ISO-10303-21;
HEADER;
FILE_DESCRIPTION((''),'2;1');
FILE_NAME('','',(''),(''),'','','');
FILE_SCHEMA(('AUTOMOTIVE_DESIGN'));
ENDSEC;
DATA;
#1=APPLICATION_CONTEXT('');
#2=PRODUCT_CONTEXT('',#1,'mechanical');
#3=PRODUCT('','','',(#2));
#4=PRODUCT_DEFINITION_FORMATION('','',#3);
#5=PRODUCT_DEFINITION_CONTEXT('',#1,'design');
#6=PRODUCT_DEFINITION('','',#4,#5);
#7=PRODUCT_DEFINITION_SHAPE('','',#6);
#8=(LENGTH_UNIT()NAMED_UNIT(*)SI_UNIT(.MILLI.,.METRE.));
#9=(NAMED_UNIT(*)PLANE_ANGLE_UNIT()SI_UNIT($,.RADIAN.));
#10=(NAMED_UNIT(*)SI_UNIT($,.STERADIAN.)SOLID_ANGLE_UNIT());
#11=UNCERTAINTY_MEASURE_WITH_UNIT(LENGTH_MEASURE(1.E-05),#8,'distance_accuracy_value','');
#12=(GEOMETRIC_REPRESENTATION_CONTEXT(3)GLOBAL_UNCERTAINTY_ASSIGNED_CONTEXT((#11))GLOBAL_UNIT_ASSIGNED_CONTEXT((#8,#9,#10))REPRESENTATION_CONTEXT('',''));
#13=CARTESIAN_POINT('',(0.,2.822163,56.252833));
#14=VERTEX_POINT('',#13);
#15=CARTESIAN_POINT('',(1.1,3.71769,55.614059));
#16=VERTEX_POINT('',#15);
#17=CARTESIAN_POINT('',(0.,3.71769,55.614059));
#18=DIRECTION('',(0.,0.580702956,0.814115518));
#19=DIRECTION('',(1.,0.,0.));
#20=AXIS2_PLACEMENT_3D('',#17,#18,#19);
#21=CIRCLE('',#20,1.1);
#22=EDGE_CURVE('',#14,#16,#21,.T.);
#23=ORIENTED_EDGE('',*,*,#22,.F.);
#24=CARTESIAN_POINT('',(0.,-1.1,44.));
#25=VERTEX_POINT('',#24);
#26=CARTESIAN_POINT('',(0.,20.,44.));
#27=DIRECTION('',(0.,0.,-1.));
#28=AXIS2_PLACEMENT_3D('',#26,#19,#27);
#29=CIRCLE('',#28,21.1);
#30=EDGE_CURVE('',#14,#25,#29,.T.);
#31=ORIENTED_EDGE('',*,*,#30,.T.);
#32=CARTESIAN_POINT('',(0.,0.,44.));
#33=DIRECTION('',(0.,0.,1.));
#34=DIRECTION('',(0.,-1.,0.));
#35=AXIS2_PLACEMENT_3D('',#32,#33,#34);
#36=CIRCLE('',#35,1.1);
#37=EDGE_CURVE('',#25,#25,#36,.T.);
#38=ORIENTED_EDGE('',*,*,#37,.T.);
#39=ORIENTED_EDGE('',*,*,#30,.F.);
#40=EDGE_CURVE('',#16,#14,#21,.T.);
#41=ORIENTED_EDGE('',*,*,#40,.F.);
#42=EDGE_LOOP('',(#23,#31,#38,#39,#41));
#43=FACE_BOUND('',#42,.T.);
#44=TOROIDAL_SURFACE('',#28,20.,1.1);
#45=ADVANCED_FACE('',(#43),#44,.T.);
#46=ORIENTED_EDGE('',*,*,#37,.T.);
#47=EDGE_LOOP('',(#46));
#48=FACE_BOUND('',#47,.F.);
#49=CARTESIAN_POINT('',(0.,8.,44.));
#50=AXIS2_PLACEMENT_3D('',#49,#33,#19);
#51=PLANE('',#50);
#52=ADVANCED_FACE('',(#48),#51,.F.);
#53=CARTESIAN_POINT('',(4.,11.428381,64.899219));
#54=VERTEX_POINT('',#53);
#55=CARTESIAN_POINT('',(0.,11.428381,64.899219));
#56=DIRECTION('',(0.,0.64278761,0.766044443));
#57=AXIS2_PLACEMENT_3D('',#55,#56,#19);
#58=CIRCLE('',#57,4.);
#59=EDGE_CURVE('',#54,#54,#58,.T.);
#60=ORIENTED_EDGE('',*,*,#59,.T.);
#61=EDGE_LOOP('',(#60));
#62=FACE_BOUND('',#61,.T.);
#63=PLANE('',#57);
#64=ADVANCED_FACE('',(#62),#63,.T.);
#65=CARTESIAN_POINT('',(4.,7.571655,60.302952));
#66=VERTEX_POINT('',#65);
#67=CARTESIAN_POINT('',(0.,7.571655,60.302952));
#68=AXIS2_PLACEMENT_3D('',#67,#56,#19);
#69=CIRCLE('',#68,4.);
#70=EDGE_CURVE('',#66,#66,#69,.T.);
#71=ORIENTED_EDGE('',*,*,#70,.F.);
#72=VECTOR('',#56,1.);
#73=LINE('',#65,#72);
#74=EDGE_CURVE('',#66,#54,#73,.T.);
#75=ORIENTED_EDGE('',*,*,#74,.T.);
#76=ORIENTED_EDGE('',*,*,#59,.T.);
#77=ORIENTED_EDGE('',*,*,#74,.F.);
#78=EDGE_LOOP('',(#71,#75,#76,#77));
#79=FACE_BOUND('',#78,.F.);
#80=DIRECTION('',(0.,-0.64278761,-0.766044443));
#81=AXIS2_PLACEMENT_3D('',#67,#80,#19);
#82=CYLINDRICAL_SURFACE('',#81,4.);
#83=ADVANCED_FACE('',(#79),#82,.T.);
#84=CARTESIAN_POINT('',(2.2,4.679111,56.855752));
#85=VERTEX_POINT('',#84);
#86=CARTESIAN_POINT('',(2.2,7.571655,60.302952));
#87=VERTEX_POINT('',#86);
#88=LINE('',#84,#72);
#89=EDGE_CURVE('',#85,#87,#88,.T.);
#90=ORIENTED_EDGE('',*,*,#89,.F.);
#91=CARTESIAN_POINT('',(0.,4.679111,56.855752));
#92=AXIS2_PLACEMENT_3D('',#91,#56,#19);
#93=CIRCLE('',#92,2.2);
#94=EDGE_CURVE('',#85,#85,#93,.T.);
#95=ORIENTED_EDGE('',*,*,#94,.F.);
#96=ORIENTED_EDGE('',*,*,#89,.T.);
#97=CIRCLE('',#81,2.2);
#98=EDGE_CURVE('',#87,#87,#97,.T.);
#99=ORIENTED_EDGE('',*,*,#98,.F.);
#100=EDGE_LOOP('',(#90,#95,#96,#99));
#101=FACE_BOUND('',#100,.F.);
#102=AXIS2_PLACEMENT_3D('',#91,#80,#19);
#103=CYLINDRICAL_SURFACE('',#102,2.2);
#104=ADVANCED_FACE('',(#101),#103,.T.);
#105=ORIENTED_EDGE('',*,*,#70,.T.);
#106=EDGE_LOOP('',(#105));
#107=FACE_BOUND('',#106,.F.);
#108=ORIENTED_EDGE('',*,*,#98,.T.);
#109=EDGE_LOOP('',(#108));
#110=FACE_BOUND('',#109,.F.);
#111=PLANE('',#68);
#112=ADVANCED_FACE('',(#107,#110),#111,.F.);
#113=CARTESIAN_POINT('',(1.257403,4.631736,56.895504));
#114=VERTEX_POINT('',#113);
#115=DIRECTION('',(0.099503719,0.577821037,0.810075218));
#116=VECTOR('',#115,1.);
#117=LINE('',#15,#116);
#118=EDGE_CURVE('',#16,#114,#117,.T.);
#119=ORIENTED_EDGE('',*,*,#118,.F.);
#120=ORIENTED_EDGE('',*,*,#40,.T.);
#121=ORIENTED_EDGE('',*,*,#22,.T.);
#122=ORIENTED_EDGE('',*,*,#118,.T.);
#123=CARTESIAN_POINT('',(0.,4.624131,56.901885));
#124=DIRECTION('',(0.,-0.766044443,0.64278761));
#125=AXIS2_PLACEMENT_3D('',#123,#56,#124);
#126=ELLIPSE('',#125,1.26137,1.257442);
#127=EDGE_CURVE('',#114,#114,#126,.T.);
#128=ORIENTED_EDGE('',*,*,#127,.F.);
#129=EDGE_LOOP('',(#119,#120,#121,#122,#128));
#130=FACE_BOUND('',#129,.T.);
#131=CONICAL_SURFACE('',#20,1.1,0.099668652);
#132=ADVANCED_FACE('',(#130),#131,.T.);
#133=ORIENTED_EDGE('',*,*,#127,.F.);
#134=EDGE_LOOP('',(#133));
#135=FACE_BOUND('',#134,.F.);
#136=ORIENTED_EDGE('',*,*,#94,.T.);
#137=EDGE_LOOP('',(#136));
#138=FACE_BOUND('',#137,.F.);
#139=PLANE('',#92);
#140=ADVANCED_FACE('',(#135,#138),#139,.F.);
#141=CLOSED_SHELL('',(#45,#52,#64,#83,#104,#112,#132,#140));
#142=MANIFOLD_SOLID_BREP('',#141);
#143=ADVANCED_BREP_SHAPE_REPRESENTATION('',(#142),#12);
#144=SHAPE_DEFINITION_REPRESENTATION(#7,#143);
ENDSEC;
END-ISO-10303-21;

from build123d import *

# Parameters (mm, degrees)
CONE002_ROLL_ANGLE         = -35.5
BOX001027045012_W          = 10
BOX001027045012_H          = 24
BOX001027045012_DEPTH      = 22
BOX001027045012_ROLL_ANGLE = -35.5
BOX001027045011_W          = 10
BOX001027045011_H          = 24
BOX001027045011_DEPTH      = 22
TORUS002_R                 = 1.1
TORUS002_PITCH_ANGLE       = 90
CYLINDER121_R              = 4
CYLINDER121_DEPTH          = 6
CYLINDER121_ROLL_ANGLE     = -40
CYLINDER120_R              = 2.2
CYLINDER120_DEPTH          = 10
CYLINDER120_ROLL_ANGLE     = -40


with BuildPart() as cone002:
    # Cone002 → Cone002 (revolve)
    with BuildSketch(Plane.XZ):
        Polygon((0, 0), (1.1, 0), (1.3, 2), (0, 2), align=None)
    revolve(axis=Axis((0, 0, 0), (0, 0, 1)))


with BuildPart() as cone002_1:
    # Cone002 roll: moved
    add(cone002.part.rotate(Axis((0, 0, 0), (1, 0, 0)), CONE002_ROLL_ANGLE))


with BuildPart() as cone002_2:
    # Cone002 placement: moved
    add(cone002_1.part.moved(Location((0, 3.71769, 11.614059))))


with BuildPart() as cube065:
    # Box001027045012 → Box001027045012 (new body)
    with BuildSketch(Plane.XY):
        with Locations((5, 12)):
            Rectangle(BOX001027045012_W, BOX001027045012_H)
    extrude(amount=BOX001027045012_DEPTH)


with BuildPart() as cube065_1:
    # Box001027045012 roll: moved
    add(cube065.part.rotate(Axis((0, 0, 0), (1, 0, 0)), BOX001027045012_ROLL_ANGLE))


with BuildPart() as cube065_2:
    # Box001027045012 placement: moved
    add(cube065_1.part.moved(Location((-5, 0.461228, 13.936871))))


with BuildPart() as cube064:
    # Box001027045011 → Box001027045011 (new body)
    with BuildSketch(Plane(origin=(-5, -4, 0), x_dir=(1, 0, 0), z_dir=(0, 0, 1))):
        with Locations((5, 12)):
            Rectangle(BOX001027045011_W, BOX001027045011_H)
    extrude(amount=BOX001027045011_DEPTH)


with BuildPart() as cut068:
    # Torus002 → Torus002 (revolve)
    with BuildSketch(Plane.XZ):
        with Locations((20, 0)):
            Circle(TORUS002_R)
    revolve(axis=Axis((0, 0, 0), (0, 0, 1)))


with BuildPart() as cut068_1:
    # Torus002 pitch: moved
    add(cut068.part.rotate(Axis((0, 0, 0), (0, 1, 0)), TORUS002_PITCH_ANGLE))


with BuildPart() as cut068_2:
    # Torus002 placement: moved
    add(cut068_1.part.moved(Location((0, 20, 0))))

    # Common054: intersect Cube064
    add(cube064.part, mode=Mode.INTERSECT)

    # Cut068: cut Cube065
    add(cube065_2.part, mode=Mode.SUBTRACT)


with BuildPart() as cylinder179:
    # Cylinder121 → Cylinder121 (new body)
    with BuildSketch(Plane.XY):
        Circle(CYLINDER121_R)
    extrude(amount=CYLINDER121_DEPTH)


with BuildPart() as cylinder179_1:
    # Cylinder121 roll: moved
    add(cylinder179.part.rotate(Axis((0, 0, 0), (1, 0, 0)), CYLINDER121_ROLL_ANGLE))


with BuildPart() as cylinder179_2:
    # Cylinder121 placement: moved
    add(cylinder179_1.part.moved(Location((0, 7.571655, 16.302952))))


with BuildPart() as torroidal_hole005:
    # Cylinder120 → Cylinder120 (new body)
    with BuildSketch(Plane.XY):
        Circle(CYLINDER120_R)
    extrude(amount=CYLINDER120_DEPTH)


with BuildPart() as torroidal_hole005_1:
    # Cylinder120 roll: moved
    add(torroidal_hole005.part.rotate(Axis((0, 0, 0), (1, 0, 0)), CYLINDER120_ROLL_ANGLE))


with BuildPart() as torroidal_hole005_2:
    # Cylinder120 placement: moved
    add(torroidal_hole005_1.part.moved(Location((0, 4.679111, 12.855752))))

    # Fusion112027: union Cone002, Cut068, Cylinder179
    add(cone002_2.part)
    add(cut068_2.part)
    add(cylinder179_2.part)


with BuildPart() as torroidal_hole005_3:
    # Fusion112027 placement: moved
    add(torroidal_hole005_2.part.moved(Location((0, 0, 44))))


solid = torroidal_hole005_3.part
